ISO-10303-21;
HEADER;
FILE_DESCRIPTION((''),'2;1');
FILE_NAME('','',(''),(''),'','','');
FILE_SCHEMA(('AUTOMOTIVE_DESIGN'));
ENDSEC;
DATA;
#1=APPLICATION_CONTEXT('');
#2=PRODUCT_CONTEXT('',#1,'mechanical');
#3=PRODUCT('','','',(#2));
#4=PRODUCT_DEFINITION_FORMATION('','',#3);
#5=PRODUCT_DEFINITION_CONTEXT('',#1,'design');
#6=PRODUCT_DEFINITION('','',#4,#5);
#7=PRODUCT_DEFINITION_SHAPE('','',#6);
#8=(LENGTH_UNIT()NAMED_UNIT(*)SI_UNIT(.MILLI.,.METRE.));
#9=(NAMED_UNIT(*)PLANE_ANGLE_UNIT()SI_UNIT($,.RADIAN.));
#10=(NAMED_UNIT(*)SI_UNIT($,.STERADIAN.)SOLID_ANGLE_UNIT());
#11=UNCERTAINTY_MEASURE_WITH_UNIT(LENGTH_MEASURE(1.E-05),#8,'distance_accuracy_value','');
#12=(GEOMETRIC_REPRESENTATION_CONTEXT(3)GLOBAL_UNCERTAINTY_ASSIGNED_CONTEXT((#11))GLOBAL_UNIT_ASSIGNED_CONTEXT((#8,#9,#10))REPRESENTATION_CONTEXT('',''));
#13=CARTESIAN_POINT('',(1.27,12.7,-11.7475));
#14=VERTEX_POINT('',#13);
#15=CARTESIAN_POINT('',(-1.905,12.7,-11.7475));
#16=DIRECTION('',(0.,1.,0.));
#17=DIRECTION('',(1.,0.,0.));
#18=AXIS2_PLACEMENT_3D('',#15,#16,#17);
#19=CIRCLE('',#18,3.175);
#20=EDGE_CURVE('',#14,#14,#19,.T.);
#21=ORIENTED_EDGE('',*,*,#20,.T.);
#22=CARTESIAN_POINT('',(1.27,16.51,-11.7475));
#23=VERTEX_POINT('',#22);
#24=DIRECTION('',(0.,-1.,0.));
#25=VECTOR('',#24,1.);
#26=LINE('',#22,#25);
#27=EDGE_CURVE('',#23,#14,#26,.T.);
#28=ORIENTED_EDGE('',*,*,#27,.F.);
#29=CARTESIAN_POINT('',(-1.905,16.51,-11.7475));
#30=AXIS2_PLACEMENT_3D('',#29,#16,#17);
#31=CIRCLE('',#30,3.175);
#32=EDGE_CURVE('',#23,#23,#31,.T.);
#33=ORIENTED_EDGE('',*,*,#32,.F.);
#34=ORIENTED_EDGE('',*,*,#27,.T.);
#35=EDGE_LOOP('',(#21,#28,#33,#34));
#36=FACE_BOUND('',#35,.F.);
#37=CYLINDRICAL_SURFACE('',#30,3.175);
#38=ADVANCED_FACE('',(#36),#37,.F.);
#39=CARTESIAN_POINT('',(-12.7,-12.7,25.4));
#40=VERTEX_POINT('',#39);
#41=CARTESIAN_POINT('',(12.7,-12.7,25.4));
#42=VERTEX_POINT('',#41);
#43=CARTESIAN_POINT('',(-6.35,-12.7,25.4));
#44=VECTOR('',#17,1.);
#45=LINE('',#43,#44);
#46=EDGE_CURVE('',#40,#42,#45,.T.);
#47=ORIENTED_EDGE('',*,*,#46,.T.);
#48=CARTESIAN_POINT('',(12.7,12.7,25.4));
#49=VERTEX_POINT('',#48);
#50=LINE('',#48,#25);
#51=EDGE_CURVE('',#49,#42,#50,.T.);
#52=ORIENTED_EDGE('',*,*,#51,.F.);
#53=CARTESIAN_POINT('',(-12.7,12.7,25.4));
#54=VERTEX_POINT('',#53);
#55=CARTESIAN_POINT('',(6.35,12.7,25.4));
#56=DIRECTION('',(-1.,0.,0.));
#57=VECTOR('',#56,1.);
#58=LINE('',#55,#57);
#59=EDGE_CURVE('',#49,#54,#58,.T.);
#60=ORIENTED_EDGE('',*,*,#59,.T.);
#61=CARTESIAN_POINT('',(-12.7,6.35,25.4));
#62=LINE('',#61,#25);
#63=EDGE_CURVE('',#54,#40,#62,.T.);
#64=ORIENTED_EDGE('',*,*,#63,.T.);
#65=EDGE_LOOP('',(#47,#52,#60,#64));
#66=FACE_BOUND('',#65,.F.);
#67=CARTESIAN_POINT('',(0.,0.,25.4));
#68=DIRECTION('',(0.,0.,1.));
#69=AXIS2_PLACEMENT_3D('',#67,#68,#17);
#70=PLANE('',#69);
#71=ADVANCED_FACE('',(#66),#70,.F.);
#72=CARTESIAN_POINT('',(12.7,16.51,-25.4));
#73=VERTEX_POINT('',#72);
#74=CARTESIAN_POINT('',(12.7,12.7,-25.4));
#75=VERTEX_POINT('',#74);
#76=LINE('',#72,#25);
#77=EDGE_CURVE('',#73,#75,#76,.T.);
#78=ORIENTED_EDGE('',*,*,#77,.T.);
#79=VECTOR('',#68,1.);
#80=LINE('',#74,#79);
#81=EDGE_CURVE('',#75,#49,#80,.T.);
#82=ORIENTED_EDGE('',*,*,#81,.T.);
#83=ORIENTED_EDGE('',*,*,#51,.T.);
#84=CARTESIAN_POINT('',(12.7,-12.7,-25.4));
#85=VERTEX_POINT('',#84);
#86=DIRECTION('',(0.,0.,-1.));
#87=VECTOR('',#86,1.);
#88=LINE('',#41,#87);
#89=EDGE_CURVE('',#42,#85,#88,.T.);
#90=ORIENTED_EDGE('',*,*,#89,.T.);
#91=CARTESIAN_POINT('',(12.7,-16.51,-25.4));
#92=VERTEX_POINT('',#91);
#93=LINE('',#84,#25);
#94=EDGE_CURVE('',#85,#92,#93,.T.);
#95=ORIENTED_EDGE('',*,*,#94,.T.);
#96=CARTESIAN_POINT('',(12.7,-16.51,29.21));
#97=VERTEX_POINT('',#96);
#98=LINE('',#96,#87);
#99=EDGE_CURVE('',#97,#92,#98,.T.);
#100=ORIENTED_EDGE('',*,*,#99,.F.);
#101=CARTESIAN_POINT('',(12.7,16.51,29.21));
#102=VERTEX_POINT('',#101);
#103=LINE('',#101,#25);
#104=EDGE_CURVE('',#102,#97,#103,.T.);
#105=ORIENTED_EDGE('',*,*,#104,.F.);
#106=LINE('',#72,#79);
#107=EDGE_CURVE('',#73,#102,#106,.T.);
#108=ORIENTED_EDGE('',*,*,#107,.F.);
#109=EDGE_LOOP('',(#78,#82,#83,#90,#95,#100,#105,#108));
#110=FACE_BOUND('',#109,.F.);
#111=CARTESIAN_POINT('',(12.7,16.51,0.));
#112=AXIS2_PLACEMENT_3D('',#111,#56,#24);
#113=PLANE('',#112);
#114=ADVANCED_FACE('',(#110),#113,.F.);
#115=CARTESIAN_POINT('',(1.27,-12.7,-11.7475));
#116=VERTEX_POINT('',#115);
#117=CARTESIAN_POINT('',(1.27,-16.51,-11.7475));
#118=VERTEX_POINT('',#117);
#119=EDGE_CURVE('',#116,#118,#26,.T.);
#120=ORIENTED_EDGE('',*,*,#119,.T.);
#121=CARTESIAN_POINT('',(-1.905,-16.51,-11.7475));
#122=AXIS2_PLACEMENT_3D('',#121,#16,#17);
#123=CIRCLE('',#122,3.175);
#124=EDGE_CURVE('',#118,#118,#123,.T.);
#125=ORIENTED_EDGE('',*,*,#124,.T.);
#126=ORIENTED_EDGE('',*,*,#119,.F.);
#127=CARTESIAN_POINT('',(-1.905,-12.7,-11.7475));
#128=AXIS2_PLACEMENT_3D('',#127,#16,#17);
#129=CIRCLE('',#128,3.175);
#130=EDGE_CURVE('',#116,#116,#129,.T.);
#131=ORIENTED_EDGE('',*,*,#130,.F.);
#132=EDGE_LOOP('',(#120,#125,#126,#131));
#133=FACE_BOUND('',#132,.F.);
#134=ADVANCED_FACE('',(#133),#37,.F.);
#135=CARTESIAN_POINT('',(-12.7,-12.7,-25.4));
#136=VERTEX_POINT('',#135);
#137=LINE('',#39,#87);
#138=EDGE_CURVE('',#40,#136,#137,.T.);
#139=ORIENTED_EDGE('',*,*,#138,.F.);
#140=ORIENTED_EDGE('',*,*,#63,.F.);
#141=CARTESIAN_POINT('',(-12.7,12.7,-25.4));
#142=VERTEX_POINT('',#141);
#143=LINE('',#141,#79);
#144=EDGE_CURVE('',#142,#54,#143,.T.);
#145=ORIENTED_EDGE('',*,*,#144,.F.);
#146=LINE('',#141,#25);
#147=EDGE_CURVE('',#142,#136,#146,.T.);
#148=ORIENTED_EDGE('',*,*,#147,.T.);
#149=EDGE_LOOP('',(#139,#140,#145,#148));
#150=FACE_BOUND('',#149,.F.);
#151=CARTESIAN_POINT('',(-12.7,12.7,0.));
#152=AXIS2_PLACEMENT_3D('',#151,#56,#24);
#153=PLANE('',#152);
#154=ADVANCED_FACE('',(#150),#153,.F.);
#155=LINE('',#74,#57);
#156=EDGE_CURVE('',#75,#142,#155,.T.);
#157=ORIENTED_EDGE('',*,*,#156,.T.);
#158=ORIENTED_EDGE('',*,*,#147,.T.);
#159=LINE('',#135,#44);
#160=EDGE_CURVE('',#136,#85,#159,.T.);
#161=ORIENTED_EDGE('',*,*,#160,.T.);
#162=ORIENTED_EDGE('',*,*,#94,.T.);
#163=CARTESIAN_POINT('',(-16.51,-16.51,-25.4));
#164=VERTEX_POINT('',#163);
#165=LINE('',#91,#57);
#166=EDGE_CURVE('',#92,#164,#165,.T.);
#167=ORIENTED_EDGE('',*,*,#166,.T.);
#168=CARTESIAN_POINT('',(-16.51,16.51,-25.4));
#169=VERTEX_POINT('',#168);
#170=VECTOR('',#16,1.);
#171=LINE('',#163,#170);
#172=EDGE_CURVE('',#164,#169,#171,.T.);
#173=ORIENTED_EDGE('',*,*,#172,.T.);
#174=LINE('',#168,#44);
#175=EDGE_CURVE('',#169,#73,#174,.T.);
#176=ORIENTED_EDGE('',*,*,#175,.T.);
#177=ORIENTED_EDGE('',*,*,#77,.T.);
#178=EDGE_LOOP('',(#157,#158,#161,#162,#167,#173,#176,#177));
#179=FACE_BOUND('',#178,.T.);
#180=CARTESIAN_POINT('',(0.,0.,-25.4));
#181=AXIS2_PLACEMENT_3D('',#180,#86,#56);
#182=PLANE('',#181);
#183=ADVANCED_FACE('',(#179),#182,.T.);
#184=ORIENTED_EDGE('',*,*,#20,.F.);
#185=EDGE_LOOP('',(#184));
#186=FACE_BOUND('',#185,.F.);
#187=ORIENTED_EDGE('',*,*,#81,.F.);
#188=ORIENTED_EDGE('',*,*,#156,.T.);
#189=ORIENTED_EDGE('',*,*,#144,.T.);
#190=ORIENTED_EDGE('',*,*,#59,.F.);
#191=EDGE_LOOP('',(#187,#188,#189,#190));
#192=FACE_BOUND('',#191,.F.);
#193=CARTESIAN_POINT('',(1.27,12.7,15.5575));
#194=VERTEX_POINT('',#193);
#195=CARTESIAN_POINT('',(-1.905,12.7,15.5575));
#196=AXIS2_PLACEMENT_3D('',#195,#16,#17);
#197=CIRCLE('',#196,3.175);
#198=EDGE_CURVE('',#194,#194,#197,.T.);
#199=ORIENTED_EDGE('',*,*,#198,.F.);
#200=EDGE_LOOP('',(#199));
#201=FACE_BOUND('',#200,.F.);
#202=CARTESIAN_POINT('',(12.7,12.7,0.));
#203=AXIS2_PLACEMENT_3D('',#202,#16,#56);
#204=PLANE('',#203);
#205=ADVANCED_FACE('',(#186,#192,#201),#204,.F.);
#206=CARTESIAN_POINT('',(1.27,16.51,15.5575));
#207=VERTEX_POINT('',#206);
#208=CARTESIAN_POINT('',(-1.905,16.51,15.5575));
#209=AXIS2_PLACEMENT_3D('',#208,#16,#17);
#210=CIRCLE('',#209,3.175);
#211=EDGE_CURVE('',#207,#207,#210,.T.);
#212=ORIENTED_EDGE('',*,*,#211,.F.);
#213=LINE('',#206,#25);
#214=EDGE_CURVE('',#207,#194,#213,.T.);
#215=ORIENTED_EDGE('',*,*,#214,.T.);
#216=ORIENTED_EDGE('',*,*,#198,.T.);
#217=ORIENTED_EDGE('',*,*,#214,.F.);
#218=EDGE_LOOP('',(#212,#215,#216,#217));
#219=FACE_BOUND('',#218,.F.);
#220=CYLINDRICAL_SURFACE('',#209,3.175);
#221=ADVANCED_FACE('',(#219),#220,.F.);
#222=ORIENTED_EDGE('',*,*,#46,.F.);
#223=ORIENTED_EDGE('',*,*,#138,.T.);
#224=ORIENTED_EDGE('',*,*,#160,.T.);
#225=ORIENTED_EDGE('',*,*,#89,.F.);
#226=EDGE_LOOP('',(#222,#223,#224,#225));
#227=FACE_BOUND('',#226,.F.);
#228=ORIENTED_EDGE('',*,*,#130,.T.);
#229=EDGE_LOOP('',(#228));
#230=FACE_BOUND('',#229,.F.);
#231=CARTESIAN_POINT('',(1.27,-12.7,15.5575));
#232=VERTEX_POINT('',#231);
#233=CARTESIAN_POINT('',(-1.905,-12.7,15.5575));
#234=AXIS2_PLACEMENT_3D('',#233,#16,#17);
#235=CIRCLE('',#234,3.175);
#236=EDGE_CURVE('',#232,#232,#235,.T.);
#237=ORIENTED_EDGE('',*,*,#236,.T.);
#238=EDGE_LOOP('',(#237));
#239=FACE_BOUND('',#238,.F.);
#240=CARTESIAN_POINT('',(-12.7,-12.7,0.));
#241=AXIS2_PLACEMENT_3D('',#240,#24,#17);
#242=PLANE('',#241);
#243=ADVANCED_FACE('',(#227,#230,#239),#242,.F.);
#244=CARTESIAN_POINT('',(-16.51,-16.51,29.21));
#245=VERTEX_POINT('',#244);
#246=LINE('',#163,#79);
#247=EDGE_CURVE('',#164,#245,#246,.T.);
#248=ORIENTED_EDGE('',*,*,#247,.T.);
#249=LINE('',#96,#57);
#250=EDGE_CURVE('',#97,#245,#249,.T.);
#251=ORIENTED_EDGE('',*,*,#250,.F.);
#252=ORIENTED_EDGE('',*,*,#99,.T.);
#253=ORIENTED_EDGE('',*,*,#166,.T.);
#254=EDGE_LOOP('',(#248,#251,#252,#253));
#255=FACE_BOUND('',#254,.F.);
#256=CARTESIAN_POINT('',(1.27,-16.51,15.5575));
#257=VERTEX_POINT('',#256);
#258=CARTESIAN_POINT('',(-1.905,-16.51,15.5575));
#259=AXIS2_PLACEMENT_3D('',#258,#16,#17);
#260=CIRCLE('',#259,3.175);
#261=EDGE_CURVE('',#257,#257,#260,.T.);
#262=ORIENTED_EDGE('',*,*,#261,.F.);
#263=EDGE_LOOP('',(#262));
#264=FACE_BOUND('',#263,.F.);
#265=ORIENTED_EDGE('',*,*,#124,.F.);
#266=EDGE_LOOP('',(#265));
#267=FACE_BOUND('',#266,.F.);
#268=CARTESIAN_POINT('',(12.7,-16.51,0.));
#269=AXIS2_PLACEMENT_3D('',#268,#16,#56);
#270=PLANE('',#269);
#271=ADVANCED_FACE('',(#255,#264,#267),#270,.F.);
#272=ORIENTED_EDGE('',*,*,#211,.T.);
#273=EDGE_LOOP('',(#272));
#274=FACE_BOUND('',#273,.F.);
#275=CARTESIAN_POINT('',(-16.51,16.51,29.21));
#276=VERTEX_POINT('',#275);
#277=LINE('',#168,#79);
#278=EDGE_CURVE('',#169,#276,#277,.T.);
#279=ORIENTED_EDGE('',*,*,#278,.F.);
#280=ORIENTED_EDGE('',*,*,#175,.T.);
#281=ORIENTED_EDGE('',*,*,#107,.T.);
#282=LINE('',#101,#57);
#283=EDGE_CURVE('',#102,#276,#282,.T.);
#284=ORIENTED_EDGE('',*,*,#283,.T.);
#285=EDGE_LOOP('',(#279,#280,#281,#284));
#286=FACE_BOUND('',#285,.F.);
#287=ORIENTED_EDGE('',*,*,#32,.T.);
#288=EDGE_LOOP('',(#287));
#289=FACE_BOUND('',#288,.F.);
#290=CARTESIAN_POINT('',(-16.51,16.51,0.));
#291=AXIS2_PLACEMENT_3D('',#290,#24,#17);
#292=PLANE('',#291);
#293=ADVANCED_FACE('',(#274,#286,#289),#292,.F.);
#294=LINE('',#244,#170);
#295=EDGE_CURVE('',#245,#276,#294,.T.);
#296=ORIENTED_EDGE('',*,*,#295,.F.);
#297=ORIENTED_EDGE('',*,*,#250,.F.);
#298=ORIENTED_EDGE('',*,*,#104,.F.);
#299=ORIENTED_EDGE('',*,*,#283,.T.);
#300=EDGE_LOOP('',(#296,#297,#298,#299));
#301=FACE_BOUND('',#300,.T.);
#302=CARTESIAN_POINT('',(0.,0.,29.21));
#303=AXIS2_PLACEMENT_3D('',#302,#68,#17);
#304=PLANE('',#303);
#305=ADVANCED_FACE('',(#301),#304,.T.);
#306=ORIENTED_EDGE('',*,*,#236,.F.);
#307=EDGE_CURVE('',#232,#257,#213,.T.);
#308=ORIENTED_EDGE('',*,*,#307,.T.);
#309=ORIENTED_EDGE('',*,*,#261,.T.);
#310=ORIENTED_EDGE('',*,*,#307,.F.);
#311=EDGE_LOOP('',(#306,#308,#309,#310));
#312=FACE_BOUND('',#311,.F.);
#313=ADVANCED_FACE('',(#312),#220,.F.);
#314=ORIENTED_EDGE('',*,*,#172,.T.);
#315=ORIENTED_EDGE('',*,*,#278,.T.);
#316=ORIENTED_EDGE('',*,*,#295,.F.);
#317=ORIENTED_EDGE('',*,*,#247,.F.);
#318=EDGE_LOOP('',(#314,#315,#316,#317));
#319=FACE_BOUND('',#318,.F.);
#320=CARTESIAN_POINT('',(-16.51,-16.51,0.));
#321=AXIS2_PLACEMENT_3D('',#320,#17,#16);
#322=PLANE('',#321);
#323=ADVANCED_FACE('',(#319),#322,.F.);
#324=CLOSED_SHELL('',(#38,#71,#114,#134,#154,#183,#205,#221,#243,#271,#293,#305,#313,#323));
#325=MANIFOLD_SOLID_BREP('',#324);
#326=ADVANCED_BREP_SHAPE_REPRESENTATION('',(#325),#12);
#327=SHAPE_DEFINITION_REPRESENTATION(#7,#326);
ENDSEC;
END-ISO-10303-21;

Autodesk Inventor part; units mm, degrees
ref_plane "YZ Plane" through (0, 0, 0) normal (1, 0, 0) x (0, 1, 0)
ref_plane "XZ Plane" through (0, 0, 0) normal (0, 1, 0) x (-1, 0, 0)
ref_plane "XY Plane" through (0, 0, 0) normal (0, 0, 1) x (1, 0, 0)
sketch "Sketch1" plane through (0, 0, 0) normal (0, 0, 1) x (1, 0, 0)
  line L0 (-12.7, -12.7) -> (12.7, -12.7)
  line L1 (12.7, 12.7) -> (-12.7, 12.7)
  line L2 (-12.7, 12.7) -> (-12.7, -12.7)
  line L3 (-12.7, -12.7) -> (12.7, 12.7) construction
  line L4 (12.7, -12.7) -> (-12.7, 12.7) construction
  line L5 (12.7, 12.7) -> (12.7, 16.51)
  line L6 (12.7, 16.51) -> (-16.51, 16.51)
  line L7 (-16.51, 16.51) -> (-16.51, 12.7)
  line L8 (12.7, -12.7) -> (12.7, -16.51)
  line L9 (12.7, -16.51) -> (-16.51, -16.51)
  line L10 (-16.51, -16.51) -> (-16.51, 12.7)
  point P0 (0, 0)
  dimension "d0" = 25.4
  dimension "d1" = 25.4
  dimension "d2" = 3.81
  dimension "d3" = 29.21
  dimension "d4" = 3.81
  dimension "d5" = 29.21
extrude "Extrusion1" add sketch "Sketch1" along normal blind 29.21
sketch "Sketch2" plane through (0, 0, 29.21) normal (0, 0, 1) x (1, 0, 0)
  line L0 (12.7, 12.7) -> (12.7, 16.51) projected
  line L1 (12.7, 16.51) -> (-16.51, 16.51) projected
  line L2 (-16.51, 16.51) -> (-16.51, -16.51) projected
  line L3 (-16.51, -16.51) -> (12.7, -16.51) projected
  line L4 (12.7, -16.51) -> (12.7, -12.7) projected
  line L5 (12.7, 12.7) -> (12.7, -12.7)
  point P0 (0, 0)
extrude "Extrusion2" add sketch "Sketch2" against normal blind 3.81
sketch "Sketch3" plane through (0, 0, 0) normal (0, 0, -1) x (-1, 0, 0)
  line L0 (12.7, -12.7) -> (-12.7, -12.7) projected
  line L1 (-12.7, -12.7) -> (-12.7, -16.51) projected
  line L2 (-12.7, -16.51) -> (16.51, -16.51) projected
  line L3 (16.51, -16.51) -> (16.51, 16.51) projected
  line L4 (16.51, 16.51) -> (-12.7, 16.51) projected
  line L5 (-12.7, 16.51) -> (-12.7, 12.7) projected
  line L6 (-12.7, 12.7) -> (12.7, 12.7) projected
  line L7 (12.7, 12.7) -> (12.7, -12.7) projected
  point P0 (0, 0)
extrude "Extrusion3" add sketch "Sketch3" along normal blind 25.4
sketch "Sketch4" plane through (-16.51, 16.51, 29.21) normal (0, 1, 0) x (1, 0, 0)
  circle A0 centre (14.605, 40.9575) radius 3.175
  circle A1 centre (14.605, 13.6525) radius 3.175
  point P0 (16.51, 29.21)
  dimension "d12" = 6.35
  dimension "d13" = 6.35
extrude "Extrusion4" cut sketch "Sketch4" against normal blind 50.8
properties part number "west coast corner"
